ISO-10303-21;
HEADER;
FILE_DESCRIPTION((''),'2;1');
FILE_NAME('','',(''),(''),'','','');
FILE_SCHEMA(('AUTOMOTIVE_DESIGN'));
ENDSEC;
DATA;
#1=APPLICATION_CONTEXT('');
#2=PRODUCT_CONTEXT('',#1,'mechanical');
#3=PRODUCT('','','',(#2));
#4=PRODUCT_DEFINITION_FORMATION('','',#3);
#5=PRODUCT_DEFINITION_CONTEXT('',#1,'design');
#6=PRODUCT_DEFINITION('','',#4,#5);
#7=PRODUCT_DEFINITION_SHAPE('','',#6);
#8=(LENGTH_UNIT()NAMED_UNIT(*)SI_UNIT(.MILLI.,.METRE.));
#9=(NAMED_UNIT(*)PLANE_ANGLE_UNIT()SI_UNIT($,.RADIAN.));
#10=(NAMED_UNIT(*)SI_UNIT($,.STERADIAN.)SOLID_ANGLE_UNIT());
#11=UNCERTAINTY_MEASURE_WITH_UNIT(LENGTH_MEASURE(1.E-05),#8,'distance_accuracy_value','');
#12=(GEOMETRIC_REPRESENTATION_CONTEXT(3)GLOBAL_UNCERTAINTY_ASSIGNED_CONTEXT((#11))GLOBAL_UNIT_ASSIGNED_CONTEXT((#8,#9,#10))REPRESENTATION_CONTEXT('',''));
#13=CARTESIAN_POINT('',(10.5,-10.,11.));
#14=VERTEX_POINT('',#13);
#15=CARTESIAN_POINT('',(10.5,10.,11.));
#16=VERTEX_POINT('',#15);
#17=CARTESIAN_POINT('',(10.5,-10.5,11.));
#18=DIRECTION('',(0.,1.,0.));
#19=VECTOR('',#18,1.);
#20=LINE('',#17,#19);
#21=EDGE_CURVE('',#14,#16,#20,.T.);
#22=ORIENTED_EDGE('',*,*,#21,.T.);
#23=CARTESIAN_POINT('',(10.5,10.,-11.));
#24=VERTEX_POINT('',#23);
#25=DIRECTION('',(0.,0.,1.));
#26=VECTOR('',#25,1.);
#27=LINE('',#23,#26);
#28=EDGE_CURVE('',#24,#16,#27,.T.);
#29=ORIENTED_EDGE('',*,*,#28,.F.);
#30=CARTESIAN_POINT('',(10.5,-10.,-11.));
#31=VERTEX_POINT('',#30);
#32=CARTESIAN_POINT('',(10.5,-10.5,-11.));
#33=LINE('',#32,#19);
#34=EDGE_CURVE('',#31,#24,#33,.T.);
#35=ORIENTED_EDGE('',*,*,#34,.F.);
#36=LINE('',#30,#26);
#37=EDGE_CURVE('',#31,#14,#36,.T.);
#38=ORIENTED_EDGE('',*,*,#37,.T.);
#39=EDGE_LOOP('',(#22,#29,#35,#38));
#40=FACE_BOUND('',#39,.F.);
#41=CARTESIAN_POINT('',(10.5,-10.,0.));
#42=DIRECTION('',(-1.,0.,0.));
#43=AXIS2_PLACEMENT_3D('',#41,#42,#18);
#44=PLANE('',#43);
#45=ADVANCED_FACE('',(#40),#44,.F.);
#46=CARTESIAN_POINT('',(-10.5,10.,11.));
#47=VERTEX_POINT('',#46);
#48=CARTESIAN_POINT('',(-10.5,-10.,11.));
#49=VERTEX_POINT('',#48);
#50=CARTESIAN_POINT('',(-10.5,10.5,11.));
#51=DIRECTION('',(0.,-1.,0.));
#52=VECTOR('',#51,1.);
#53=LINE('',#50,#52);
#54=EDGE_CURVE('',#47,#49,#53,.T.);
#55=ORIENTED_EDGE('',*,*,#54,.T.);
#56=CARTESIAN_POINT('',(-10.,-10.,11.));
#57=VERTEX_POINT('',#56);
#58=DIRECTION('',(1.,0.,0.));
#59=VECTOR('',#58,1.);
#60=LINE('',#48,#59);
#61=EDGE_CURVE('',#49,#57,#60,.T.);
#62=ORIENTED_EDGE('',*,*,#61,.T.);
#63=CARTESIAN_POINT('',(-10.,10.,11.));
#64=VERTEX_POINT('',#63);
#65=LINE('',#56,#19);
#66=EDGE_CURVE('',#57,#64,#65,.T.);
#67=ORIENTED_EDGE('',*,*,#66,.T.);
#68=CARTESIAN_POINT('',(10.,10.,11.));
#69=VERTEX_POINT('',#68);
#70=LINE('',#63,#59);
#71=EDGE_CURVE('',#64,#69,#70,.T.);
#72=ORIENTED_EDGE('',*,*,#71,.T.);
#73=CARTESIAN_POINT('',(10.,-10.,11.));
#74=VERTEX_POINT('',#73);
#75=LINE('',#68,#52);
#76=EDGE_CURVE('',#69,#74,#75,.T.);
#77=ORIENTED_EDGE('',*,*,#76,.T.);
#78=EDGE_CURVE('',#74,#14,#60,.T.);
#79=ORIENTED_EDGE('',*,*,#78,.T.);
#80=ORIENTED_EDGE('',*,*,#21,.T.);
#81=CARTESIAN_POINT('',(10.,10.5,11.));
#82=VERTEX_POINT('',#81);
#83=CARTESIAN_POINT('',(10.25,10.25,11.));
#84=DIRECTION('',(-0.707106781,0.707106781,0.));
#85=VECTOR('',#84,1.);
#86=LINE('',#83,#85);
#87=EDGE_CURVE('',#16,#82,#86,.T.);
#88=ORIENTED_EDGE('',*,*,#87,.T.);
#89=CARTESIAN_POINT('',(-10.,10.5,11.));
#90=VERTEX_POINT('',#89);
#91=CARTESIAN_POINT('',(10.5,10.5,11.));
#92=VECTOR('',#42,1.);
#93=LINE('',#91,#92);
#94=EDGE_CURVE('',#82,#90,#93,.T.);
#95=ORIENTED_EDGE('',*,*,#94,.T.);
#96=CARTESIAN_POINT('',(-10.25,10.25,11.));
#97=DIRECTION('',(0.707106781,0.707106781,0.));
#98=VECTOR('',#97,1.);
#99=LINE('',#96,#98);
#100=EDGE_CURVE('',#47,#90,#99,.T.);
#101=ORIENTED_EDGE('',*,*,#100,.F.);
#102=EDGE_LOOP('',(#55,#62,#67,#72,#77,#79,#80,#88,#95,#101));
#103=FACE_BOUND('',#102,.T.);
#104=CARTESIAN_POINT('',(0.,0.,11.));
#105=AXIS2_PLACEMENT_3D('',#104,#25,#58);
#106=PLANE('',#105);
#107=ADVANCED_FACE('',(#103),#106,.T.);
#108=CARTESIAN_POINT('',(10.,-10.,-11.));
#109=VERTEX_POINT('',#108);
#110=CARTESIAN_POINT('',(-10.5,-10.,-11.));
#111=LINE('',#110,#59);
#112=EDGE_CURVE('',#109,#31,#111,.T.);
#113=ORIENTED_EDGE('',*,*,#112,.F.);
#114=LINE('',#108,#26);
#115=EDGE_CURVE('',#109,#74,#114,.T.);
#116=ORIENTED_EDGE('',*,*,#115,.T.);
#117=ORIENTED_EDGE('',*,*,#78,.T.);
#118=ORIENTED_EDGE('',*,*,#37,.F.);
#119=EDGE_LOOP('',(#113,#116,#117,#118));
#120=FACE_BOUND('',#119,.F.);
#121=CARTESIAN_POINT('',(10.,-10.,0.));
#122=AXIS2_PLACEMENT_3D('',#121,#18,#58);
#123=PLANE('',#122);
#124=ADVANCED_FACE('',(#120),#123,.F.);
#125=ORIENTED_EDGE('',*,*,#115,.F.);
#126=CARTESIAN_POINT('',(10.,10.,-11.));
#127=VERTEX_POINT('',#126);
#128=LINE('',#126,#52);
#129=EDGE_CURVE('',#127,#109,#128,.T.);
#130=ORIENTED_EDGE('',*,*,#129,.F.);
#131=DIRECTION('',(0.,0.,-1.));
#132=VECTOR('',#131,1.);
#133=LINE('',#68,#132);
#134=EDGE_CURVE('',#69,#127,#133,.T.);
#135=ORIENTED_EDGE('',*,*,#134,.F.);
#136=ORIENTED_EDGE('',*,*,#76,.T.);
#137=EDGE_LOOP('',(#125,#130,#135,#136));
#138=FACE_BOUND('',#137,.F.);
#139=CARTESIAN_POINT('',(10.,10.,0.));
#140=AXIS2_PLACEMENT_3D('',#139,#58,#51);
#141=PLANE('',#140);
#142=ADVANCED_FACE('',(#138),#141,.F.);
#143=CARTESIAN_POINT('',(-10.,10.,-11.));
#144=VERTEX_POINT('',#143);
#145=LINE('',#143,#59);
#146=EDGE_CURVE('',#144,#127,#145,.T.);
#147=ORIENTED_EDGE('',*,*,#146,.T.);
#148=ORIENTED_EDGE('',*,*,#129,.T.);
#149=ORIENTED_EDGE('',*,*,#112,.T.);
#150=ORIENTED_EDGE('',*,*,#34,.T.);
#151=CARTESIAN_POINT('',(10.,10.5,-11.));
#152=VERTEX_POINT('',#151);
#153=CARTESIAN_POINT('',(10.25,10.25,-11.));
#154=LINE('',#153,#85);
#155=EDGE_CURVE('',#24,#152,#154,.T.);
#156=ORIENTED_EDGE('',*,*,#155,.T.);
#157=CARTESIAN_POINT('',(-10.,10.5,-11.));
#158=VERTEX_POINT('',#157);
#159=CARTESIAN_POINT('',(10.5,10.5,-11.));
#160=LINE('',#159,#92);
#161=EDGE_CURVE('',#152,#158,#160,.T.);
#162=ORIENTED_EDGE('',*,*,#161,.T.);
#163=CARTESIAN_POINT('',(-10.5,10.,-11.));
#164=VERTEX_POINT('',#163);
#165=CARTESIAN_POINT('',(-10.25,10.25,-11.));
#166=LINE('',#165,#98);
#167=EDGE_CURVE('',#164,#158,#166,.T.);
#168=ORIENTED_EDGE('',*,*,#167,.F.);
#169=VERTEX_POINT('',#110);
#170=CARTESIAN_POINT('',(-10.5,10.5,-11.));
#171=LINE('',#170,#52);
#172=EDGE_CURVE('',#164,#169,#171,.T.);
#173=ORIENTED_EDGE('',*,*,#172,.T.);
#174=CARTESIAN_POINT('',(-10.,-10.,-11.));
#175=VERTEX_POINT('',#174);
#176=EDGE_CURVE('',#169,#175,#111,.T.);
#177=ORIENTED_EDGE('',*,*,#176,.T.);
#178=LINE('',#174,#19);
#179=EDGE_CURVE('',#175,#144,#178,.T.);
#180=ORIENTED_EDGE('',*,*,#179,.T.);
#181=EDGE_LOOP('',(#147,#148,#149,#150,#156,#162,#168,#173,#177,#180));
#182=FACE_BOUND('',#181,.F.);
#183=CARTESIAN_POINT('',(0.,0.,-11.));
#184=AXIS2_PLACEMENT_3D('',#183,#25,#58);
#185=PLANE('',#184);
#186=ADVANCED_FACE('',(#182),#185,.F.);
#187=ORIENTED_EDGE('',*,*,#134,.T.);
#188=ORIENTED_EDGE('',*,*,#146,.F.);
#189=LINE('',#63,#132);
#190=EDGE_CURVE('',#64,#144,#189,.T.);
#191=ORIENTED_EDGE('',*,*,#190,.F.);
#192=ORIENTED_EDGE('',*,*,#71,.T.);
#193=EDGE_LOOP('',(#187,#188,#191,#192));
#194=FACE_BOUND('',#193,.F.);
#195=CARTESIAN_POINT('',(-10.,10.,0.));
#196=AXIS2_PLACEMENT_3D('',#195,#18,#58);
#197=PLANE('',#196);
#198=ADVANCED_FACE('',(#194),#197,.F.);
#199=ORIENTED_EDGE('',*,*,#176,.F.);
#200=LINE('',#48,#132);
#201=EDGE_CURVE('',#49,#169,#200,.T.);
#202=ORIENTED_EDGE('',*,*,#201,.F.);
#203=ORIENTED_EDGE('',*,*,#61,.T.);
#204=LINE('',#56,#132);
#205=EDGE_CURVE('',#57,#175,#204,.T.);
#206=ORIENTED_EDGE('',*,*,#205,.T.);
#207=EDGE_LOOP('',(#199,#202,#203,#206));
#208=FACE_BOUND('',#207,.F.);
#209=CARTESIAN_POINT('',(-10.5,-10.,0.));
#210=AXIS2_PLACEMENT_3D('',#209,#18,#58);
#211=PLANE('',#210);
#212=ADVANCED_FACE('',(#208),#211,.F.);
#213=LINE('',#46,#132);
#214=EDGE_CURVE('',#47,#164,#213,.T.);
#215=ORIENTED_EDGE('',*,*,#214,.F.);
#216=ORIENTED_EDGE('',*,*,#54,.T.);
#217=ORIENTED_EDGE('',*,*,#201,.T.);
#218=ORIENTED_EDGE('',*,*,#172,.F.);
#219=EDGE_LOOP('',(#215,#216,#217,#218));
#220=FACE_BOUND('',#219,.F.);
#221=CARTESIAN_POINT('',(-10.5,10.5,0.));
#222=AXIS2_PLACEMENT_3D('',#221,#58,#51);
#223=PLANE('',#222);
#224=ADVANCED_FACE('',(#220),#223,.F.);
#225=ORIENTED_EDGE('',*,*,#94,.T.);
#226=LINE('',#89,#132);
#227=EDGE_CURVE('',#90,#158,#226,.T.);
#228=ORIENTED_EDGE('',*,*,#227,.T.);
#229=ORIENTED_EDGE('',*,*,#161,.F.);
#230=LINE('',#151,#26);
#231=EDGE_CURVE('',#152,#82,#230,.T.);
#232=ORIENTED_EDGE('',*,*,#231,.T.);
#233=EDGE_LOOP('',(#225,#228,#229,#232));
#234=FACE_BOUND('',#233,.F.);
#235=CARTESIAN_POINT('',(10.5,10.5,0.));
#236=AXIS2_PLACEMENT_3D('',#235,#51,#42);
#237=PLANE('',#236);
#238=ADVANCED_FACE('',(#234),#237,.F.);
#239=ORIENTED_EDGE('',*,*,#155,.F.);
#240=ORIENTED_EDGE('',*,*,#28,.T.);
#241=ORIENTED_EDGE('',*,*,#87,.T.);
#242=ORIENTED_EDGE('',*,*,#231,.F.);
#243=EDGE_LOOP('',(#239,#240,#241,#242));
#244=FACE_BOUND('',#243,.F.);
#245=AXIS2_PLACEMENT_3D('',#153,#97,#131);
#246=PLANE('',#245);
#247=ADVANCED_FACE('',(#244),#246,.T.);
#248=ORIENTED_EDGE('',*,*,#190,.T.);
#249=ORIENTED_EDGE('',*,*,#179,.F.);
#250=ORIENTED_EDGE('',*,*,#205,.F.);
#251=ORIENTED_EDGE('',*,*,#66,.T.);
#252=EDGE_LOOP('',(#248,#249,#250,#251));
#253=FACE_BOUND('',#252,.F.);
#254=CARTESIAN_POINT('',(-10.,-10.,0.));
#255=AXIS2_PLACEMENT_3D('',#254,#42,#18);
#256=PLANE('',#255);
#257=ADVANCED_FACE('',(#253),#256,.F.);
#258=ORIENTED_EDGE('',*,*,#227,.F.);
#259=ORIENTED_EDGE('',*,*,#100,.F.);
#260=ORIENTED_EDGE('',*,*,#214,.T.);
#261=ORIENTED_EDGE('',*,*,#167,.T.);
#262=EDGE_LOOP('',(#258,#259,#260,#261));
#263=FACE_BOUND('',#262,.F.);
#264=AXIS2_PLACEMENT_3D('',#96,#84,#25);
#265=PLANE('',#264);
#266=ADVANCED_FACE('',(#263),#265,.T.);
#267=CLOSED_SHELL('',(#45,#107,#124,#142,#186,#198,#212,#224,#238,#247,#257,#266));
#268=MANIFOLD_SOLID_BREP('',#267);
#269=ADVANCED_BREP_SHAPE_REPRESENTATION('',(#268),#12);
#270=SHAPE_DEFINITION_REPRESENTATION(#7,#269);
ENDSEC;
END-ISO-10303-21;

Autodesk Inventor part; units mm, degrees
ref_plane "YZ Plane" through (0, 0, 0) normal (1, 0, 0) x (0, 1, 0)
ref_plane "XZ Plane" through (0, 0, 0) normal (0, 1, 0) x (-1, 0, 0)
ref_plane "XY Plane" through (0, 0, 0) normal (0, 0, 1) x (1, 0, 0)
sketch "Sketch1" plane through (0, 0, 0) normal (0, 0, 1) x (1, 0, 0)
  line L0 (10, -10) -> (-10, -10)
  line L1 (-10, -10) -> (-10, 10)
  line L2 (-10, 10) -> (10, 10)
  line L3 (10, 10) -> (10, -10)
  line L4 (10, -10) -> (-10, 10) construction
  line L5 (-10, -10) -> (10, 10) construction
  line L6 (10.5, 10.5) -> (-10.5, 10.5)
  line L7 (-10.5, 10.5) -> (-10.5, -10.5)
  line L8 (-10.5, -10.5) -> (10.5, -10.5)
  line L9 (10.5, -10.5) -> (10.5, 10.5)
  line L10 (-10.5, -10) -> (10.5, -10)
  point P0 (0, 0)
  dimension "d0" = 20
  dimension "d1" = 20
  dimension "d2" = 0.5
extrude "Extrusion1" add sketch "Sketch1" along normal mid plane 22 contours L3 L2 L1 L10 L7 L6 L9
chamfer "Chamfer1" distance 0.5 angle 45 2 edges at (10.5, 10.5, 0) (-10.5, 10.5, 0)
properties part number "cover"
